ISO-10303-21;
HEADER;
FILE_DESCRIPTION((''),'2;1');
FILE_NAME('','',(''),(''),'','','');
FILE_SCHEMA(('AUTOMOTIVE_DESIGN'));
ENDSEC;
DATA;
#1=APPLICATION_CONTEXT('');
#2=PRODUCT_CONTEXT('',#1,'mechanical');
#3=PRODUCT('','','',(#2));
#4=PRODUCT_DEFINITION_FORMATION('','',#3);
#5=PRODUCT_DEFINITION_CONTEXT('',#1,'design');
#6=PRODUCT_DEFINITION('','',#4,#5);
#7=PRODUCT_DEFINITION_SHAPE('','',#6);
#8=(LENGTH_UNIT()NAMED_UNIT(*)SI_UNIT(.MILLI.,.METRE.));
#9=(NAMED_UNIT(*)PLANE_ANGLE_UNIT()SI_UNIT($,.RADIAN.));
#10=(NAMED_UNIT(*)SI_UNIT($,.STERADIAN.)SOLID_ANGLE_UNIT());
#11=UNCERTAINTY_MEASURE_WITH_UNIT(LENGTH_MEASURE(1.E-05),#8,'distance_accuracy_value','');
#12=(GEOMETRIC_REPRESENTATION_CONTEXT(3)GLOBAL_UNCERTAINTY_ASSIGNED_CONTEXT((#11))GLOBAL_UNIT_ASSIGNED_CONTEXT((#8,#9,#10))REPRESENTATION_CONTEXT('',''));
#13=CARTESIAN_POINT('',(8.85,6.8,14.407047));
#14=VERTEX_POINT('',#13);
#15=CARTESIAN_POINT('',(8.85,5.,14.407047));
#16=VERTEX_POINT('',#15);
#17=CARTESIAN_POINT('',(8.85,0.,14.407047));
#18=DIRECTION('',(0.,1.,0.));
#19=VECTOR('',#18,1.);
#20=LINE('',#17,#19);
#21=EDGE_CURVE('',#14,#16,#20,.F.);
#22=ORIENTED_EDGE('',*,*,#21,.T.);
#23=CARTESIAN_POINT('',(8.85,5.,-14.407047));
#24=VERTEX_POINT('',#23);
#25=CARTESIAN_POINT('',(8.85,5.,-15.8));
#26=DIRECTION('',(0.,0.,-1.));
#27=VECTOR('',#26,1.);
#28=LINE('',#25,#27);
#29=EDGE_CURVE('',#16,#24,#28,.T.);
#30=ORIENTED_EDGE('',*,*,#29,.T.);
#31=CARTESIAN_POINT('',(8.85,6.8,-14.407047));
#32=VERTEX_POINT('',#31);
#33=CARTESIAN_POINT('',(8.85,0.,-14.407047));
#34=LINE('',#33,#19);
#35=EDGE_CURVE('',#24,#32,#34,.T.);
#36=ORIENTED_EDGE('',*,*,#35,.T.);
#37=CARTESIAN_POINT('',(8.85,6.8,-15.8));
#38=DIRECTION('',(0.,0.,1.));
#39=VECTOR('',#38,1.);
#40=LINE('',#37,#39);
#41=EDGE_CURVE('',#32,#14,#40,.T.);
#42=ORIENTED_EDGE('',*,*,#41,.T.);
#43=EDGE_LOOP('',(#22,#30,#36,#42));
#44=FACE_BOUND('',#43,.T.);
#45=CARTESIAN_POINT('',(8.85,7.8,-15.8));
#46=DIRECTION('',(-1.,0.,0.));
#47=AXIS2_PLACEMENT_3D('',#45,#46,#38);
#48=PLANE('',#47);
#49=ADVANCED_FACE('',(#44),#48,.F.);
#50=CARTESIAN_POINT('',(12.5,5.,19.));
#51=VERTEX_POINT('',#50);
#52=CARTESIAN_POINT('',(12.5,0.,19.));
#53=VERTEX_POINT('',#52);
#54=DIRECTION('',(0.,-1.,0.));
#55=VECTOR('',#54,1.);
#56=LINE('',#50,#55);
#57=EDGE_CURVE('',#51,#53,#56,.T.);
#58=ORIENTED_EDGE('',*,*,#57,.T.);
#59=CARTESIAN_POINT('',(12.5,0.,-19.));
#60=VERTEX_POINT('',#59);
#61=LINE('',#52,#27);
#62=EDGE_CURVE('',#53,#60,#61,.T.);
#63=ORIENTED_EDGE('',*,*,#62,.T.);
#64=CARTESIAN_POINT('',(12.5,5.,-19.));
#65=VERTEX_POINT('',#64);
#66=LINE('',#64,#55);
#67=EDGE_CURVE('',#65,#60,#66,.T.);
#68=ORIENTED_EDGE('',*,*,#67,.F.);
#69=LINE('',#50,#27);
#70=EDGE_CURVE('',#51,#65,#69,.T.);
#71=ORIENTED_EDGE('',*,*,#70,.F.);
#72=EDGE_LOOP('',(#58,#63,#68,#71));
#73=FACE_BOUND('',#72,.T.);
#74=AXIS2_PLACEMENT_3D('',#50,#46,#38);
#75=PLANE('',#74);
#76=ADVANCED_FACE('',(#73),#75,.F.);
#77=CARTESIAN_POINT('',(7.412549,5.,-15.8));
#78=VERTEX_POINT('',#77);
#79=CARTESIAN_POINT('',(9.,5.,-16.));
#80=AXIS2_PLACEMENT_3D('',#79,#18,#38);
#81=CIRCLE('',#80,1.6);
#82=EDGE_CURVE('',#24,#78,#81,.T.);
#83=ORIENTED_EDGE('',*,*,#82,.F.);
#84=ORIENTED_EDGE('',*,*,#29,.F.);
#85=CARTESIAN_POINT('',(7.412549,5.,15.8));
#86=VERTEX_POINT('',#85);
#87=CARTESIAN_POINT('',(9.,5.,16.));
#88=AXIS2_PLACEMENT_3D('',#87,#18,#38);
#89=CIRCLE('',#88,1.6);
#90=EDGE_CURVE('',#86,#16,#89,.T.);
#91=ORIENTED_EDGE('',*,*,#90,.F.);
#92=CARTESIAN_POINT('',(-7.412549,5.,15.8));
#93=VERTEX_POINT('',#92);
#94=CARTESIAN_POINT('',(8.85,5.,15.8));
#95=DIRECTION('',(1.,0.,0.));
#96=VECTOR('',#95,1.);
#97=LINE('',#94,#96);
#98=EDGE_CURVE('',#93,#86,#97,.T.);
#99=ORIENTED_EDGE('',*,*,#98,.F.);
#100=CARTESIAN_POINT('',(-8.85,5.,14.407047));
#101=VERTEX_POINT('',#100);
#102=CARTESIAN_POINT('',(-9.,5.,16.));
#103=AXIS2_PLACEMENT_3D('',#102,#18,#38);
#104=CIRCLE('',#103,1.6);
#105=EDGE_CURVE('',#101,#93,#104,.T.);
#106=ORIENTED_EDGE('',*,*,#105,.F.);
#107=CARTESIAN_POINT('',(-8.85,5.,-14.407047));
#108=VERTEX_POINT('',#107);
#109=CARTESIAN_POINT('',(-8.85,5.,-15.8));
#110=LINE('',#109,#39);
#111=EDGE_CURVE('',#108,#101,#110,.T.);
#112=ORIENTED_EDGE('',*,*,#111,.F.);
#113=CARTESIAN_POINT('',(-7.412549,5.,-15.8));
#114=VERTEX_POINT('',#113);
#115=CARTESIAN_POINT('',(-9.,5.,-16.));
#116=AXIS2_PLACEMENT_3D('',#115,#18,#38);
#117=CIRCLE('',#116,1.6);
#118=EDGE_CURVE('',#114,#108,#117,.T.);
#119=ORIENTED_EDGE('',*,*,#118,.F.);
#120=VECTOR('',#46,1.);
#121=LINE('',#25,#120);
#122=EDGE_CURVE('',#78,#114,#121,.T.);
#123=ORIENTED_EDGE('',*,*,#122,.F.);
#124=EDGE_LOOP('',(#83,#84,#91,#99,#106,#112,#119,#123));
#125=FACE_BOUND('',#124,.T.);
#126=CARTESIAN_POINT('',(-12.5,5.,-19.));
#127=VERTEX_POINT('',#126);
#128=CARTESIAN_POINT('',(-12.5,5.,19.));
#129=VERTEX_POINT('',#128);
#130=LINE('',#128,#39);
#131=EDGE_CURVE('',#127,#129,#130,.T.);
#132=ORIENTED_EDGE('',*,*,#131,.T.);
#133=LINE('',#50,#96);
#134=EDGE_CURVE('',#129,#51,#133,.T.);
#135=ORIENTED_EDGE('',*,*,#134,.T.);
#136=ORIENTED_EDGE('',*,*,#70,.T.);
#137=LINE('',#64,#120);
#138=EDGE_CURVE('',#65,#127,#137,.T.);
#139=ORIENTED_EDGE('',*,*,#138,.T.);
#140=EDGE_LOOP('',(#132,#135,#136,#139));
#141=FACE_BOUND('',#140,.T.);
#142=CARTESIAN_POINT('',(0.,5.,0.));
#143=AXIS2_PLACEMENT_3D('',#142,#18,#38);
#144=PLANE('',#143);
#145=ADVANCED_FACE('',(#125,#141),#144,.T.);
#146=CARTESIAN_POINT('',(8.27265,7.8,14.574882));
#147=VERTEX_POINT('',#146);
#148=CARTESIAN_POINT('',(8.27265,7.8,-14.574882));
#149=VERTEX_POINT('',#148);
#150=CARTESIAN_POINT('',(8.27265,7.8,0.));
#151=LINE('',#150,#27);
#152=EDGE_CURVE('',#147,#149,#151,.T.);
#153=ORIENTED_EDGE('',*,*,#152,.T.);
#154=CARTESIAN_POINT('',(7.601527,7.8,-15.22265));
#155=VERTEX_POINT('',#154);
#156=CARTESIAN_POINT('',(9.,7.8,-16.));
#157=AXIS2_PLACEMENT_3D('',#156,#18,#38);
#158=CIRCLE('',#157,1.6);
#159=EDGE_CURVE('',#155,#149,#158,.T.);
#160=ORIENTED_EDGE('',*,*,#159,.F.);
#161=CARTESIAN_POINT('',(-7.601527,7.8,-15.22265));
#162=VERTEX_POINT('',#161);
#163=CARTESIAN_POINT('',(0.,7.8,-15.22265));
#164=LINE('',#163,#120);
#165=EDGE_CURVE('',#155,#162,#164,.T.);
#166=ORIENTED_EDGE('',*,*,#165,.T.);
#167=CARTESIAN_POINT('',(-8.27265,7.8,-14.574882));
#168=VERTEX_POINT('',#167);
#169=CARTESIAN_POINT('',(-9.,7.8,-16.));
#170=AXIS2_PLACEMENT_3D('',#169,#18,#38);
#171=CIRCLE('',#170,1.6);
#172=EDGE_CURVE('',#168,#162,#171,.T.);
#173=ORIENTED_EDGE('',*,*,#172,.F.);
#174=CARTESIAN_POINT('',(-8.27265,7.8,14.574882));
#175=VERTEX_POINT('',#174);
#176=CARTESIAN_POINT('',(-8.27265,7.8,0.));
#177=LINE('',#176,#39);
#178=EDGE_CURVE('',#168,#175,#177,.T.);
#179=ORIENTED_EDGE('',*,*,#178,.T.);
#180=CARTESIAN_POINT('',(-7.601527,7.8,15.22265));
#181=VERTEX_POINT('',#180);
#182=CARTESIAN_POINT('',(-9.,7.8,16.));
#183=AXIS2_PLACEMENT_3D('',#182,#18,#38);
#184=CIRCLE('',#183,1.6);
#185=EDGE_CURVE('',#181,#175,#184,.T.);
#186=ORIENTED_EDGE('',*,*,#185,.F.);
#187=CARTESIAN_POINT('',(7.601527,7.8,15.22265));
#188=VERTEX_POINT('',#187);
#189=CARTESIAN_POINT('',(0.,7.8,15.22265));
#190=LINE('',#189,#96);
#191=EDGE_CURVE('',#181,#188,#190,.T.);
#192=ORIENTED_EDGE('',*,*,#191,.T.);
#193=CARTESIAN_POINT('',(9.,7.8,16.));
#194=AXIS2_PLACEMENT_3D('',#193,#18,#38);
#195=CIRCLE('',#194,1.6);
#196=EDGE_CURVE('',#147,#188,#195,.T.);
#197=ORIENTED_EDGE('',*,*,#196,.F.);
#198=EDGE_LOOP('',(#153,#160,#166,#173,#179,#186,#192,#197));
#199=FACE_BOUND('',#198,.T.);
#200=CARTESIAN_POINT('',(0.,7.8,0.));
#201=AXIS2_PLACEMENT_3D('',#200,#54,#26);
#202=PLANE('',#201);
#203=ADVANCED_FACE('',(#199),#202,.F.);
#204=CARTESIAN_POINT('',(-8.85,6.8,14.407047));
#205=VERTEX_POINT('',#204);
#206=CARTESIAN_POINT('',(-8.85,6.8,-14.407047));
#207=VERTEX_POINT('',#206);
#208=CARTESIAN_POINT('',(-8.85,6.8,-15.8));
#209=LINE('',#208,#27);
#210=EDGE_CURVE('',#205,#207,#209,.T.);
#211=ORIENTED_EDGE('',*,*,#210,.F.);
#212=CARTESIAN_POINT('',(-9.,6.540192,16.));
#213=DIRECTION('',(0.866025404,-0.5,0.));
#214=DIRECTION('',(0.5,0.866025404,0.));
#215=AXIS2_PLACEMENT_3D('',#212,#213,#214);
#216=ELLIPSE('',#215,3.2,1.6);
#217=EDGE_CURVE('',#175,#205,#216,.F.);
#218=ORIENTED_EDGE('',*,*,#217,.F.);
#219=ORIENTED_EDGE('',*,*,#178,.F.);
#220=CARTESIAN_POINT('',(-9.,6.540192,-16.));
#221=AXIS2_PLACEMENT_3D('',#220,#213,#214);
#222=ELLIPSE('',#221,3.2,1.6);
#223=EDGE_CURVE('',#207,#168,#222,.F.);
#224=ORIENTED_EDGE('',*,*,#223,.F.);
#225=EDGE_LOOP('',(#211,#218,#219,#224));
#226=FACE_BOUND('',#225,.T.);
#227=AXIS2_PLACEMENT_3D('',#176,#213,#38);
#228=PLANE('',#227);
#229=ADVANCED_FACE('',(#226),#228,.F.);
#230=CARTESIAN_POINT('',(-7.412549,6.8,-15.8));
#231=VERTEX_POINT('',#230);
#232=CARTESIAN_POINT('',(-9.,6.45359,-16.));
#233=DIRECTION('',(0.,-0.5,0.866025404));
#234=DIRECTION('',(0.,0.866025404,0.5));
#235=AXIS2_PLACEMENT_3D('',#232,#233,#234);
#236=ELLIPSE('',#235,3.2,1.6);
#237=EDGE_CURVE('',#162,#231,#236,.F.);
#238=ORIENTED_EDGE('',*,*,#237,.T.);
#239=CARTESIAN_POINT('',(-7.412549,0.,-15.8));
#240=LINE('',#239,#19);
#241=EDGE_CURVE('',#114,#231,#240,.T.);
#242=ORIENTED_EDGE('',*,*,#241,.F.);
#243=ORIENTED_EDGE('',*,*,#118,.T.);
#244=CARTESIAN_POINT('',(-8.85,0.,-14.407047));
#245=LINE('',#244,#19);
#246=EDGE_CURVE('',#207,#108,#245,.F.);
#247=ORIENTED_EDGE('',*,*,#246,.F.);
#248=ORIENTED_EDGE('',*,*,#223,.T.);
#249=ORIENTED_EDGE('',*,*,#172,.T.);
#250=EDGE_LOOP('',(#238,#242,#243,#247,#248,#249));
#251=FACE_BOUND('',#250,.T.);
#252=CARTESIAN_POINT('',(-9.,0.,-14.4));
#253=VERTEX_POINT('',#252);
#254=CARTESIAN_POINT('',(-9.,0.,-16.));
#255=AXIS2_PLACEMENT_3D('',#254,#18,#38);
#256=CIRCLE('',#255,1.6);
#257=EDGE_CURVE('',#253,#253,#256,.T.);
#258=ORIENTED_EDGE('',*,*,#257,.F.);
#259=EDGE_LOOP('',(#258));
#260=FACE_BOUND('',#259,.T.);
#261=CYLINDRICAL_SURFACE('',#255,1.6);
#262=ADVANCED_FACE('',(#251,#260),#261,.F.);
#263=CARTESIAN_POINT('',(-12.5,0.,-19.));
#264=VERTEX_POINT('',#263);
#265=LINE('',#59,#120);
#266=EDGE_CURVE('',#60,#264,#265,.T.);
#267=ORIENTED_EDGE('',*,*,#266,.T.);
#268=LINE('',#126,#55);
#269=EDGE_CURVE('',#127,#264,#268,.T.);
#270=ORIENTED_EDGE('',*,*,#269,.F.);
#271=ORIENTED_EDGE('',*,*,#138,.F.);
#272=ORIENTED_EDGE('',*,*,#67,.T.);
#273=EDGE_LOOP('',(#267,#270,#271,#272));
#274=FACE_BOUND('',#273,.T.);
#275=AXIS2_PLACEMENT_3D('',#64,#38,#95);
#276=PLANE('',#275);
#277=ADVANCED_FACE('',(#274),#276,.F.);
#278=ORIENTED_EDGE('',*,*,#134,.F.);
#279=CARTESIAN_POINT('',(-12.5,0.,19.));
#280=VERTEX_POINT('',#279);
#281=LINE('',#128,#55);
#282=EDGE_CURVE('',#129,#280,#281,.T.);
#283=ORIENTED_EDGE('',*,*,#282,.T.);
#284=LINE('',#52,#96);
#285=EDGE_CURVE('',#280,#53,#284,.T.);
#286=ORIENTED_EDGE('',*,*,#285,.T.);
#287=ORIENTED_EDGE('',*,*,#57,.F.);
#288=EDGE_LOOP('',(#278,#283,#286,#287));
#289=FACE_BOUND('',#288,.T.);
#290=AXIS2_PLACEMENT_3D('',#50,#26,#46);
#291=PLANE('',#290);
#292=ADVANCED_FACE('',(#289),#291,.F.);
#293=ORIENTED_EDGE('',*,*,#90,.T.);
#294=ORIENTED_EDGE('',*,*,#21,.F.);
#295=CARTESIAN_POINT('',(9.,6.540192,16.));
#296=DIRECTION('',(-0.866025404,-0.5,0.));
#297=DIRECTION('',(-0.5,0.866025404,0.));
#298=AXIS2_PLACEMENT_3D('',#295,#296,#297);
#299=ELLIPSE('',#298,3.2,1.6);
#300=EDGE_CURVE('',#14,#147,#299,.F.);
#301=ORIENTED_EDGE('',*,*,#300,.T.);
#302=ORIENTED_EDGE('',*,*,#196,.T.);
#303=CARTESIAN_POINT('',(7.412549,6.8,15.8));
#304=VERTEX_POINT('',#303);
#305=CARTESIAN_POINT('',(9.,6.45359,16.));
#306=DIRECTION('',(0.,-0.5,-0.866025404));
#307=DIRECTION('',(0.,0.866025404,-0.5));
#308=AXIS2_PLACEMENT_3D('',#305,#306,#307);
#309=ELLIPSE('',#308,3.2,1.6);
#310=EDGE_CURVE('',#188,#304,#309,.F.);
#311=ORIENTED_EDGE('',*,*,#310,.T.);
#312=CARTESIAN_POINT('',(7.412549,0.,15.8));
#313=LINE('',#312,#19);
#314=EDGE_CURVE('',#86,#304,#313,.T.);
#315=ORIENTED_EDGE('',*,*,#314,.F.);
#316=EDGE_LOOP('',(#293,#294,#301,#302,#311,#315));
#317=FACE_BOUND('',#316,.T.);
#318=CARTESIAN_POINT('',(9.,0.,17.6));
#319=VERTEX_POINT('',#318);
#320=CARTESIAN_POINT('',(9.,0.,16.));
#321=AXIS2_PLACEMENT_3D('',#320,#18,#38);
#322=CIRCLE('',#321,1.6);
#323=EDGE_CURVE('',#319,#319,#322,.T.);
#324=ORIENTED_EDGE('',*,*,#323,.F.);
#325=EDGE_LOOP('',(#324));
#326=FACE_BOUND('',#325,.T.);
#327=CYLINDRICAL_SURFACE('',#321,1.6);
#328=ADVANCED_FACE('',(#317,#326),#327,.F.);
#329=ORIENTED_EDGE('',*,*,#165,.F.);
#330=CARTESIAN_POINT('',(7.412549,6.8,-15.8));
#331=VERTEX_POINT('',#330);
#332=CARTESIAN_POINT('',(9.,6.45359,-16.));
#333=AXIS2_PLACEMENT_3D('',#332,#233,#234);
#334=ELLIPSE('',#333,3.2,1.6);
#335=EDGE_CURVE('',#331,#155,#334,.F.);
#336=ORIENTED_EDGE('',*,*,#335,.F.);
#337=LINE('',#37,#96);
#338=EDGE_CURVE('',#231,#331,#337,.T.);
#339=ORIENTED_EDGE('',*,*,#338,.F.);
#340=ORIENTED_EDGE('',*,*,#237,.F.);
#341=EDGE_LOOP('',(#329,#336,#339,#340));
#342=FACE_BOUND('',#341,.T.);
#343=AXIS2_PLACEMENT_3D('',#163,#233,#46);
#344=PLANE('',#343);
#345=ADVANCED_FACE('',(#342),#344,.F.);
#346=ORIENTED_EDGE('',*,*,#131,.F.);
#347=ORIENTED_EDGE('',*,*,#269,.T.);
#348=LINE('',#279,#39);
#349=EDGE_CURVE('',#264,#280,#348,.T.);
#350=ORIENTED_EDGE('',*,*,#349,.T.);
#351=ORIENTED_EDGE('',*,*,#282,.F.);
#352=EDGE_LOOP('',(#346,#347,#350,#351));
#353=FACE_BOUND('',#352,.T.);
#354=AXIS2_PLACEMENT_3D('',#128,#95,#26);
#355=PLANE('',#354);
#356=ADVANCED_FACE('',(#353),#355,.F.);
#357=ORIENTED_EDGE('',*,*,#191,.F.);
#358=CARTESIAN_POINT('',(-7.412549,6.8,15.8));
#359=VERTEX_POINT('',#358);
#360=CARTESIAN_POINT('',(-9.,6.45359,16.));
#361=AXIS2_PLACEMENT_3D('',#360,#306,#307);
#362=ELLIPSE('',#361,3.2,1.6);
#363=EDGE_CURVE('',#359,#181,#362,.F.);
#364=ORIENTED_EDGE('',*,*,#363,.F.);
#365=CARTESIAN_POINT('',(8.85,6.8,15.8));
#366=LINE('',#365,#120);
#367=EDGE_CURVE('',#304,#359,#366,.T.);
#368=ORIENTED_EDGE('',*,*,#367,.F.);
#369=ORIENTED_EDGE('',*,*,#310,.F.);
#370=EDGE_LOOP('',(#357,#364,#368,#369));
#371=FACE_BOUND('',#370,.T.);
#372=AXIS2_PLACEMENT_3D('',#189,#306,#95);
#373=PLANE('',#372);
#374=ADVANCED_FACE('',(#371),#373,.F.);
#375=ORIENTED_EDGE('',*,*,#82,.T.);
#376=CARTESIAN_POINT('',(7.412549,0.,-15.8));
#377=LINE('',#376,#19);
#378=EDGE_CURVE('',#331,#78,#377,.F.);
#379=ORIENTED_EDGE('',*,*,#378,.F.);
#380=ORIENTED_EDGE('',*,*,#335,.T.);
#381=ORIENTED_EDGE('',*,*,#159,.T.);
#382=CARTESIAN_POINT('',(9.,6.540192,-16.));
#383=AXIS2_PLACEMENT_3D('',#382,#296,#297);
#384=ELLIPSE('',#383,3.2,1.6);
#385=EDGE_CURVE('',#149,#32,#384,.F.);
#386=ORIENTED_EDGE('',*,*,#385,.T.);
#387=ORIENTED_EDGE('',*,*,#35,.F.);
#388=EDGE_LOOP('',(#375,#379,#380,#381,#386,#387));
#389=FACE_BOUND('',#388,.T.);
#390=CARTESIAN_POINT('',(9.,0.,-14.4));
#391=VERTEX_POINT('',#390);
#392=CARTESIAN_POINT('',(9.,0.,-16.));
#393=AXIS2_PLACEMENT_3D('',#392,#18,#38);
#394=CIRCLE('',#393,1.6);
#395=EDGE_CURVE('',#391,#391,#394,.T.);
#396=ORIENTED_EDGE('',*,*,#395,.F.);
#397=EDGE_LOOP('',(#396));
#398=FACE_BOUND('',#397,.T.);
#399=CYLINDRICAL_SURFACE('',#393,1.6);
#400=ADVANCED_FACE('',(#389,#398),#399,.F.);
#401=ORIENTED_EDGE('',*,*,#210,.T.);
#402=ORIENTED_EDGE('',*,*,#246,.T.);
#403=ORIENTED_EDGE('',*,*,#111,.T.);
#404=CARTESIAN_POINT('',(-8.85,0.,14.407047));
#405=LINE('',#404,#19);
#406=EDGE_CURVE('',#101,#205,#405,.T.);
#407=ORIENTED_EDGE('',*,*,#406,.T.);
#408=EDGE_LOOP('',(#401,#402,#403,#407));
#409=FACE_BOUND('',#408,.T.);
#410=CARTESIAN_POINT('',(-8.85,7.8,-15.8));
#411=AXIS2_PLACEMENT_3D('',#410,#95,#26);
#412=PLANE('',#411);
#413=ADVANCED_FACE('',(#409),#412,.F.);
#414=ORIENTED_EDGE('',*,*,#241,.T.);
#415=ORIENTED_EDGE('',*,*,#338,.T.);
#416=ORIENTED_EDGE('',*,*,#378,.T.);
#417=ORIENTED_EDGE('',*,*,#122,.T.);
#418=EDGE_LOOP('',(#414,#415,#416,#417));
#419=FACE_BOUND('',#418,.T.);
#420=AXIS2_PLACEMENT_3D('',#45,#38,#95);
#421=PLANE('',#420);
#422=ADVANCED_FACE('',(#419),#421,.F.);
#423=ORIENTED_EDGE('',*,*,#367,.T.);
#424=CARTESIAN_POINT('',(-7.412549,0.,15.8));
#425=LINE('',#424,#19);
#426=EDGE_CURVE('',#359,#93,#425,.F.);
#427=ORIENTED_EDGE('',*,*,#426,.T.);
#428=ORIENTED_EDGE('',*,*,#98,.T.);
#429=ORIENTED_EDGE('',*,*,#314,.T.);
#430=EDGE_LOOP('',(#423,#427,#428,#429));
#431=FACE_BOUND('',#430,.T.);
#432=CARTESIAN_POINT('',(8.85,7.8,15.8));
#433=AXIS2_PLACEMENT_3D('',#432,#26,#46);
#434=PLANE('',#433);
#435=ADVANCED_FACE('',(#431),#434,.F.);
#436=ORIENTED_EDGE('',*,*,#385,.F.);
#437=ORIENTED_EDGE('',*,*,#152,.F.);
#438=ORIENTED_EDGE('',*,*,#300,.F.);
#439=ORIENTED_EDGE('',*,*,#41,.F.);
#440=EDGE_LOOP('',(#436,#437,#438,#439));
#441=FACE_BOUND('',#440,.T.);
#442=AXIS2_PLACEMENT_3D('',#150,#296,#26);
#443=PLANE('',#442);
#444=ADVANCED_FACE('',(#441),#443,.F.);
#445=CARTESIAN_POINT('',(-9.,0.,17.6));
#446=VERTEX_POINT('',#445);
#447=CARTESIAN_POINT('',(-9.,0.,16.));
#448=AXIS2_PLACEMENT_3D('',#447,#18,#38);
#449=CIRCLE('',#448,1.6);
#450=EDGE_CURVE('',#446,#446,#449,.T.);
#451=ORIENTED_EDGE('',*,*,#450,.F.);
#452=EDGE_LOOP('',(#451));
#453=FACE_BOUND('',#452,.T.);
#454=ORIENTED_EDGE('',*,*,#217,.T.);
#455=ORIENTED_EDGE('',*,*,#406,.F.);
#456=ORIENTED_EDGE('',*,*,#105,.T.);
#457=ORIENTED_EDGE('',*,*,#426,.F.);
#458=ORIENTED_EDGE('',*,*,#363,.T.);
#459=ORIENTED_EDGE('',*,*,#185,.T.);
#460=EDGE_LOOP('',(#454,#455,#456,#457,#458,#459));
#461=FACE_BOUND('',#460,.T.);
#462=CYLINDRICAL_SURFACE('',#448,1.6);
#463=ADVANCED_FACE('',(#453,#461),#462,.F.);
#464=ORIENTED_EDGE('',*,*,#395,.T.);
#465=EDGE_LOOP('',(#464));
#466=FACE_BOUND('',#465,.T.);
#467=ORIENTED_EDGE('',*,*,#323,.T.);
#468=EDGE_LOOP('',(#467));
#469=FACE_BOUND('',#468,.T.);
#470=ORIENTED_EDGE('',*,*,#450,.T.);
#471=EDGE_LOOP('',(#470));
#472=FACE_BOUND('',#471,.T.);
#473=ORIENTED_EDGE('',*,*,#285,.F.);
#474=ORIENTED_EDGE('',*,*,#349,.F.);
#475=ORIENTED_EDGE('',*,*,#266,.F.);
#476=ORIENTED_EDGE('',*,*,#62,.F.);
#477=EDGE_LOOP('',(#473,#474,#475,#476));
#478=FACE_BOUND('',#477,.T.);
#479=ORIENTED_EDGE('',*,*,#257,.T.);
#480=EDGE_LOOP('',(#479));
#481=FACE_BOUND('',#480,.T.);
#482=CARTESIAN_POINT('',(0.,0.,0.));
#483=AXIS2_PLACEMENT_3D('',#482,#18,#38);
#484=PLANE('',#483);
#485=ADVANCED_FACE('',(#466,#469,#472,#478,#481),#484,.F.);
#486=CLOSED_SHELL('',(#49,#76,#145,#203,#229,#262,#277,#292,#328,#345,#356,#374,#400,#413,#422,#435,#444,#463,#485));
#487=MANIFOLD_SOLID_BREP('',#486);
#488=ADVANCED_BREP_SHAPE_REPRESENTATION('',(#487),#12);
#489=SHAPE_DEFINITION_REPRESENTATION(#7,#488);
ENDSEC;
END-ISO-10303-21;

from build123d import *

# Parameters (mm, degrees)
SKETCH1_W               = 25
SKETCH1_H               = 38
BOSS_EXTRUDE1_DEPTH     = 5
SKETCH4_R               = 4.15
CUT_EXTRUDE2_DEPTH      = 6
SKETCH9_W               = 17.7
SKETCH9_H               = 31.6
BOSS_EXTRUDE3_DEPTH     = 2.8
SKETCH6_R               = 1.6
CUT_EXTRUDE4_DEPTH      = 3.8
CUT_EXTRUDE4_DEPTH_BACK = 6
CHAMFER1_SIZE           = 1
CHAMFER1_SIZE2          = 0.577350269
CHAMFER1_PART_2_SIZE    = 1
CHAMFER1_PART_2_SIZE2   = 0.577350269
CHAMFER1_PART_3_SIZE    = 1
CHAMFER1_PART_3_SIZE2   = 0.577350269
CHAMFER1_PART_4_SIZE    = 1
CHAMFER1_PART_4_SIZE2   = 0.577350269
SKETCH10_R              = 4.15
BOSS_EXTRUDE4_DEPTH     = 5


with BuildPart() as part:
    # Sketch1 → Boss-Extrude1 (new body)
    with BuildSketch(Plane(origin=(0, 0, 0), x_dir=(1, 0, 0), z_dir=(0, 1, 0))):
        Rectangle(SKETCH1_W, SKETCH1_H)
    extrude(amount=BOSS_EXTRUDE1_DEPTH)

    # Sketch4 → Cut-Extrude2 (cut, through all)
    with BuildSketch(Plane(origin=(0, 5, 0), x_dir=(1, 0, 0), z_dir=(0, 1, 0))):
        Circle(SKETCH4_R)
    extrude(amount=-CUT_EXTRUDE2_DEPTH, mode=Mode.SUBTRACT)

    # Sketch9 → Boss-Extrude3 (add)
    with BuildSketch(Plane(origin=(0, 5, 0), x_dir=(1, 0, 0), z_dir=(0, 1, 0))):
        Rectangle(SKETCH9_W, SKETCH9_H)
    extrude(amount=BOSS_EXTRUDE3_DEPTH)

    # Sketch6 → Cut-Extrude4 (cut, two sides)
    with BuildSketch(Plane(origin=(0, 5, 0), x_dir=(1, 0, 0), z_dir=(0, 1, 0))) as cut_extrude4_sk:
        with Locations((9, -16)):
            Circle(SKETCH6_R)
        with Locations((-9, -16)):
            Circle(SKETCH6_R)
        with Locations((-9, 16)):
            Circle(SKETCH6_R)
        with Locations((9, 16)):
            Circle(SKETCH6_R)
    extrude(amount=CUT_EXTRUDE4_DEPTH, mode=Mode.SUBTRACT)
    extrude(cut_extrude4_sk.sketch, amount=-CUT_EXTRUDE4_DEPTH_BACK, mode=Mode.SUBTRACT)

    # Chamfer1
    chamfer1_edges = [part.edges().sort_by_distance(p)[0] for p in [
        (8.85, 7.8, 0),
    ]]
    chamfer1_side = [part.faces().sort_by_distance(p)[0] for p in [
        (8.85, 6.4, 0),
    ]]
    chamfer(chamfer1_edges, length=CHAMFER1_SIZE, length2=CHAMFER1_SIZE2, reference=chamfer1_side[0])

    # Chamfer1 part 2
    chamfer1_part_2_edges = [part.edges().sort_by_distance(p)[0] for p in [
        (0, 7.8, 15.8),
    ]]
    chamfer1_part_2_side = [part.faces().sort_by_distance(p)[0] for p in [
        (0, 6.4, 15.8),
    ]]
    chamfer(chamfer1_part_2_edges, length=CHAMFER1_PART_2_SIZE, length2=CHAMFER1_PART_2_SIZE2, reference=chamfer1_part_2_side[0])

    # Chamfer1 part 3
    chamfer1_part_3_edges = [part.edges().sort_by_distance(p)[0] for p in [
        (0, 7.8, -15.8),
    ]]
    chamfer1_part_3_side = [part.faces().sort_by_distance(p)[0] for p in [
        (0, 6.4, -15.8),
    ]]
    chamfer(chamfer1_part_3_edges, length=CHAMFER1_PART_3_SIZE, length2=CHAMFER1_PART_3_SIZE2, reference=chamfer1_part_3_side[0])

    # Chamfer1 part 4
    chamfer1_part_4_edges = [part.edges().sort_by_distance(p)[0] for p in [
        (-8.85, 7.8, 0),
    ]]
    chamfer1_part_4_side = [part.faces().sort_by_distance(p)[0] for p in [
        (-8.85, 6.4, 0),
    ]]
    chamfer(chamfer1_part_4_edges, length=CHAMFER1_PART_4_SIZE, length2=CHAMFER1_PART_4_SIZE2, reference=chamfer1_part_4_side[0])

    # Sketch10 → Boss-Extrude4 (add)
    with BuildSketch(Plane.XZ.offset(-5)):
        Circle(SKETCH10_R)
    extrude(amount=BOSS_EXTRUDE4_DEPTH)


solid = part.part
